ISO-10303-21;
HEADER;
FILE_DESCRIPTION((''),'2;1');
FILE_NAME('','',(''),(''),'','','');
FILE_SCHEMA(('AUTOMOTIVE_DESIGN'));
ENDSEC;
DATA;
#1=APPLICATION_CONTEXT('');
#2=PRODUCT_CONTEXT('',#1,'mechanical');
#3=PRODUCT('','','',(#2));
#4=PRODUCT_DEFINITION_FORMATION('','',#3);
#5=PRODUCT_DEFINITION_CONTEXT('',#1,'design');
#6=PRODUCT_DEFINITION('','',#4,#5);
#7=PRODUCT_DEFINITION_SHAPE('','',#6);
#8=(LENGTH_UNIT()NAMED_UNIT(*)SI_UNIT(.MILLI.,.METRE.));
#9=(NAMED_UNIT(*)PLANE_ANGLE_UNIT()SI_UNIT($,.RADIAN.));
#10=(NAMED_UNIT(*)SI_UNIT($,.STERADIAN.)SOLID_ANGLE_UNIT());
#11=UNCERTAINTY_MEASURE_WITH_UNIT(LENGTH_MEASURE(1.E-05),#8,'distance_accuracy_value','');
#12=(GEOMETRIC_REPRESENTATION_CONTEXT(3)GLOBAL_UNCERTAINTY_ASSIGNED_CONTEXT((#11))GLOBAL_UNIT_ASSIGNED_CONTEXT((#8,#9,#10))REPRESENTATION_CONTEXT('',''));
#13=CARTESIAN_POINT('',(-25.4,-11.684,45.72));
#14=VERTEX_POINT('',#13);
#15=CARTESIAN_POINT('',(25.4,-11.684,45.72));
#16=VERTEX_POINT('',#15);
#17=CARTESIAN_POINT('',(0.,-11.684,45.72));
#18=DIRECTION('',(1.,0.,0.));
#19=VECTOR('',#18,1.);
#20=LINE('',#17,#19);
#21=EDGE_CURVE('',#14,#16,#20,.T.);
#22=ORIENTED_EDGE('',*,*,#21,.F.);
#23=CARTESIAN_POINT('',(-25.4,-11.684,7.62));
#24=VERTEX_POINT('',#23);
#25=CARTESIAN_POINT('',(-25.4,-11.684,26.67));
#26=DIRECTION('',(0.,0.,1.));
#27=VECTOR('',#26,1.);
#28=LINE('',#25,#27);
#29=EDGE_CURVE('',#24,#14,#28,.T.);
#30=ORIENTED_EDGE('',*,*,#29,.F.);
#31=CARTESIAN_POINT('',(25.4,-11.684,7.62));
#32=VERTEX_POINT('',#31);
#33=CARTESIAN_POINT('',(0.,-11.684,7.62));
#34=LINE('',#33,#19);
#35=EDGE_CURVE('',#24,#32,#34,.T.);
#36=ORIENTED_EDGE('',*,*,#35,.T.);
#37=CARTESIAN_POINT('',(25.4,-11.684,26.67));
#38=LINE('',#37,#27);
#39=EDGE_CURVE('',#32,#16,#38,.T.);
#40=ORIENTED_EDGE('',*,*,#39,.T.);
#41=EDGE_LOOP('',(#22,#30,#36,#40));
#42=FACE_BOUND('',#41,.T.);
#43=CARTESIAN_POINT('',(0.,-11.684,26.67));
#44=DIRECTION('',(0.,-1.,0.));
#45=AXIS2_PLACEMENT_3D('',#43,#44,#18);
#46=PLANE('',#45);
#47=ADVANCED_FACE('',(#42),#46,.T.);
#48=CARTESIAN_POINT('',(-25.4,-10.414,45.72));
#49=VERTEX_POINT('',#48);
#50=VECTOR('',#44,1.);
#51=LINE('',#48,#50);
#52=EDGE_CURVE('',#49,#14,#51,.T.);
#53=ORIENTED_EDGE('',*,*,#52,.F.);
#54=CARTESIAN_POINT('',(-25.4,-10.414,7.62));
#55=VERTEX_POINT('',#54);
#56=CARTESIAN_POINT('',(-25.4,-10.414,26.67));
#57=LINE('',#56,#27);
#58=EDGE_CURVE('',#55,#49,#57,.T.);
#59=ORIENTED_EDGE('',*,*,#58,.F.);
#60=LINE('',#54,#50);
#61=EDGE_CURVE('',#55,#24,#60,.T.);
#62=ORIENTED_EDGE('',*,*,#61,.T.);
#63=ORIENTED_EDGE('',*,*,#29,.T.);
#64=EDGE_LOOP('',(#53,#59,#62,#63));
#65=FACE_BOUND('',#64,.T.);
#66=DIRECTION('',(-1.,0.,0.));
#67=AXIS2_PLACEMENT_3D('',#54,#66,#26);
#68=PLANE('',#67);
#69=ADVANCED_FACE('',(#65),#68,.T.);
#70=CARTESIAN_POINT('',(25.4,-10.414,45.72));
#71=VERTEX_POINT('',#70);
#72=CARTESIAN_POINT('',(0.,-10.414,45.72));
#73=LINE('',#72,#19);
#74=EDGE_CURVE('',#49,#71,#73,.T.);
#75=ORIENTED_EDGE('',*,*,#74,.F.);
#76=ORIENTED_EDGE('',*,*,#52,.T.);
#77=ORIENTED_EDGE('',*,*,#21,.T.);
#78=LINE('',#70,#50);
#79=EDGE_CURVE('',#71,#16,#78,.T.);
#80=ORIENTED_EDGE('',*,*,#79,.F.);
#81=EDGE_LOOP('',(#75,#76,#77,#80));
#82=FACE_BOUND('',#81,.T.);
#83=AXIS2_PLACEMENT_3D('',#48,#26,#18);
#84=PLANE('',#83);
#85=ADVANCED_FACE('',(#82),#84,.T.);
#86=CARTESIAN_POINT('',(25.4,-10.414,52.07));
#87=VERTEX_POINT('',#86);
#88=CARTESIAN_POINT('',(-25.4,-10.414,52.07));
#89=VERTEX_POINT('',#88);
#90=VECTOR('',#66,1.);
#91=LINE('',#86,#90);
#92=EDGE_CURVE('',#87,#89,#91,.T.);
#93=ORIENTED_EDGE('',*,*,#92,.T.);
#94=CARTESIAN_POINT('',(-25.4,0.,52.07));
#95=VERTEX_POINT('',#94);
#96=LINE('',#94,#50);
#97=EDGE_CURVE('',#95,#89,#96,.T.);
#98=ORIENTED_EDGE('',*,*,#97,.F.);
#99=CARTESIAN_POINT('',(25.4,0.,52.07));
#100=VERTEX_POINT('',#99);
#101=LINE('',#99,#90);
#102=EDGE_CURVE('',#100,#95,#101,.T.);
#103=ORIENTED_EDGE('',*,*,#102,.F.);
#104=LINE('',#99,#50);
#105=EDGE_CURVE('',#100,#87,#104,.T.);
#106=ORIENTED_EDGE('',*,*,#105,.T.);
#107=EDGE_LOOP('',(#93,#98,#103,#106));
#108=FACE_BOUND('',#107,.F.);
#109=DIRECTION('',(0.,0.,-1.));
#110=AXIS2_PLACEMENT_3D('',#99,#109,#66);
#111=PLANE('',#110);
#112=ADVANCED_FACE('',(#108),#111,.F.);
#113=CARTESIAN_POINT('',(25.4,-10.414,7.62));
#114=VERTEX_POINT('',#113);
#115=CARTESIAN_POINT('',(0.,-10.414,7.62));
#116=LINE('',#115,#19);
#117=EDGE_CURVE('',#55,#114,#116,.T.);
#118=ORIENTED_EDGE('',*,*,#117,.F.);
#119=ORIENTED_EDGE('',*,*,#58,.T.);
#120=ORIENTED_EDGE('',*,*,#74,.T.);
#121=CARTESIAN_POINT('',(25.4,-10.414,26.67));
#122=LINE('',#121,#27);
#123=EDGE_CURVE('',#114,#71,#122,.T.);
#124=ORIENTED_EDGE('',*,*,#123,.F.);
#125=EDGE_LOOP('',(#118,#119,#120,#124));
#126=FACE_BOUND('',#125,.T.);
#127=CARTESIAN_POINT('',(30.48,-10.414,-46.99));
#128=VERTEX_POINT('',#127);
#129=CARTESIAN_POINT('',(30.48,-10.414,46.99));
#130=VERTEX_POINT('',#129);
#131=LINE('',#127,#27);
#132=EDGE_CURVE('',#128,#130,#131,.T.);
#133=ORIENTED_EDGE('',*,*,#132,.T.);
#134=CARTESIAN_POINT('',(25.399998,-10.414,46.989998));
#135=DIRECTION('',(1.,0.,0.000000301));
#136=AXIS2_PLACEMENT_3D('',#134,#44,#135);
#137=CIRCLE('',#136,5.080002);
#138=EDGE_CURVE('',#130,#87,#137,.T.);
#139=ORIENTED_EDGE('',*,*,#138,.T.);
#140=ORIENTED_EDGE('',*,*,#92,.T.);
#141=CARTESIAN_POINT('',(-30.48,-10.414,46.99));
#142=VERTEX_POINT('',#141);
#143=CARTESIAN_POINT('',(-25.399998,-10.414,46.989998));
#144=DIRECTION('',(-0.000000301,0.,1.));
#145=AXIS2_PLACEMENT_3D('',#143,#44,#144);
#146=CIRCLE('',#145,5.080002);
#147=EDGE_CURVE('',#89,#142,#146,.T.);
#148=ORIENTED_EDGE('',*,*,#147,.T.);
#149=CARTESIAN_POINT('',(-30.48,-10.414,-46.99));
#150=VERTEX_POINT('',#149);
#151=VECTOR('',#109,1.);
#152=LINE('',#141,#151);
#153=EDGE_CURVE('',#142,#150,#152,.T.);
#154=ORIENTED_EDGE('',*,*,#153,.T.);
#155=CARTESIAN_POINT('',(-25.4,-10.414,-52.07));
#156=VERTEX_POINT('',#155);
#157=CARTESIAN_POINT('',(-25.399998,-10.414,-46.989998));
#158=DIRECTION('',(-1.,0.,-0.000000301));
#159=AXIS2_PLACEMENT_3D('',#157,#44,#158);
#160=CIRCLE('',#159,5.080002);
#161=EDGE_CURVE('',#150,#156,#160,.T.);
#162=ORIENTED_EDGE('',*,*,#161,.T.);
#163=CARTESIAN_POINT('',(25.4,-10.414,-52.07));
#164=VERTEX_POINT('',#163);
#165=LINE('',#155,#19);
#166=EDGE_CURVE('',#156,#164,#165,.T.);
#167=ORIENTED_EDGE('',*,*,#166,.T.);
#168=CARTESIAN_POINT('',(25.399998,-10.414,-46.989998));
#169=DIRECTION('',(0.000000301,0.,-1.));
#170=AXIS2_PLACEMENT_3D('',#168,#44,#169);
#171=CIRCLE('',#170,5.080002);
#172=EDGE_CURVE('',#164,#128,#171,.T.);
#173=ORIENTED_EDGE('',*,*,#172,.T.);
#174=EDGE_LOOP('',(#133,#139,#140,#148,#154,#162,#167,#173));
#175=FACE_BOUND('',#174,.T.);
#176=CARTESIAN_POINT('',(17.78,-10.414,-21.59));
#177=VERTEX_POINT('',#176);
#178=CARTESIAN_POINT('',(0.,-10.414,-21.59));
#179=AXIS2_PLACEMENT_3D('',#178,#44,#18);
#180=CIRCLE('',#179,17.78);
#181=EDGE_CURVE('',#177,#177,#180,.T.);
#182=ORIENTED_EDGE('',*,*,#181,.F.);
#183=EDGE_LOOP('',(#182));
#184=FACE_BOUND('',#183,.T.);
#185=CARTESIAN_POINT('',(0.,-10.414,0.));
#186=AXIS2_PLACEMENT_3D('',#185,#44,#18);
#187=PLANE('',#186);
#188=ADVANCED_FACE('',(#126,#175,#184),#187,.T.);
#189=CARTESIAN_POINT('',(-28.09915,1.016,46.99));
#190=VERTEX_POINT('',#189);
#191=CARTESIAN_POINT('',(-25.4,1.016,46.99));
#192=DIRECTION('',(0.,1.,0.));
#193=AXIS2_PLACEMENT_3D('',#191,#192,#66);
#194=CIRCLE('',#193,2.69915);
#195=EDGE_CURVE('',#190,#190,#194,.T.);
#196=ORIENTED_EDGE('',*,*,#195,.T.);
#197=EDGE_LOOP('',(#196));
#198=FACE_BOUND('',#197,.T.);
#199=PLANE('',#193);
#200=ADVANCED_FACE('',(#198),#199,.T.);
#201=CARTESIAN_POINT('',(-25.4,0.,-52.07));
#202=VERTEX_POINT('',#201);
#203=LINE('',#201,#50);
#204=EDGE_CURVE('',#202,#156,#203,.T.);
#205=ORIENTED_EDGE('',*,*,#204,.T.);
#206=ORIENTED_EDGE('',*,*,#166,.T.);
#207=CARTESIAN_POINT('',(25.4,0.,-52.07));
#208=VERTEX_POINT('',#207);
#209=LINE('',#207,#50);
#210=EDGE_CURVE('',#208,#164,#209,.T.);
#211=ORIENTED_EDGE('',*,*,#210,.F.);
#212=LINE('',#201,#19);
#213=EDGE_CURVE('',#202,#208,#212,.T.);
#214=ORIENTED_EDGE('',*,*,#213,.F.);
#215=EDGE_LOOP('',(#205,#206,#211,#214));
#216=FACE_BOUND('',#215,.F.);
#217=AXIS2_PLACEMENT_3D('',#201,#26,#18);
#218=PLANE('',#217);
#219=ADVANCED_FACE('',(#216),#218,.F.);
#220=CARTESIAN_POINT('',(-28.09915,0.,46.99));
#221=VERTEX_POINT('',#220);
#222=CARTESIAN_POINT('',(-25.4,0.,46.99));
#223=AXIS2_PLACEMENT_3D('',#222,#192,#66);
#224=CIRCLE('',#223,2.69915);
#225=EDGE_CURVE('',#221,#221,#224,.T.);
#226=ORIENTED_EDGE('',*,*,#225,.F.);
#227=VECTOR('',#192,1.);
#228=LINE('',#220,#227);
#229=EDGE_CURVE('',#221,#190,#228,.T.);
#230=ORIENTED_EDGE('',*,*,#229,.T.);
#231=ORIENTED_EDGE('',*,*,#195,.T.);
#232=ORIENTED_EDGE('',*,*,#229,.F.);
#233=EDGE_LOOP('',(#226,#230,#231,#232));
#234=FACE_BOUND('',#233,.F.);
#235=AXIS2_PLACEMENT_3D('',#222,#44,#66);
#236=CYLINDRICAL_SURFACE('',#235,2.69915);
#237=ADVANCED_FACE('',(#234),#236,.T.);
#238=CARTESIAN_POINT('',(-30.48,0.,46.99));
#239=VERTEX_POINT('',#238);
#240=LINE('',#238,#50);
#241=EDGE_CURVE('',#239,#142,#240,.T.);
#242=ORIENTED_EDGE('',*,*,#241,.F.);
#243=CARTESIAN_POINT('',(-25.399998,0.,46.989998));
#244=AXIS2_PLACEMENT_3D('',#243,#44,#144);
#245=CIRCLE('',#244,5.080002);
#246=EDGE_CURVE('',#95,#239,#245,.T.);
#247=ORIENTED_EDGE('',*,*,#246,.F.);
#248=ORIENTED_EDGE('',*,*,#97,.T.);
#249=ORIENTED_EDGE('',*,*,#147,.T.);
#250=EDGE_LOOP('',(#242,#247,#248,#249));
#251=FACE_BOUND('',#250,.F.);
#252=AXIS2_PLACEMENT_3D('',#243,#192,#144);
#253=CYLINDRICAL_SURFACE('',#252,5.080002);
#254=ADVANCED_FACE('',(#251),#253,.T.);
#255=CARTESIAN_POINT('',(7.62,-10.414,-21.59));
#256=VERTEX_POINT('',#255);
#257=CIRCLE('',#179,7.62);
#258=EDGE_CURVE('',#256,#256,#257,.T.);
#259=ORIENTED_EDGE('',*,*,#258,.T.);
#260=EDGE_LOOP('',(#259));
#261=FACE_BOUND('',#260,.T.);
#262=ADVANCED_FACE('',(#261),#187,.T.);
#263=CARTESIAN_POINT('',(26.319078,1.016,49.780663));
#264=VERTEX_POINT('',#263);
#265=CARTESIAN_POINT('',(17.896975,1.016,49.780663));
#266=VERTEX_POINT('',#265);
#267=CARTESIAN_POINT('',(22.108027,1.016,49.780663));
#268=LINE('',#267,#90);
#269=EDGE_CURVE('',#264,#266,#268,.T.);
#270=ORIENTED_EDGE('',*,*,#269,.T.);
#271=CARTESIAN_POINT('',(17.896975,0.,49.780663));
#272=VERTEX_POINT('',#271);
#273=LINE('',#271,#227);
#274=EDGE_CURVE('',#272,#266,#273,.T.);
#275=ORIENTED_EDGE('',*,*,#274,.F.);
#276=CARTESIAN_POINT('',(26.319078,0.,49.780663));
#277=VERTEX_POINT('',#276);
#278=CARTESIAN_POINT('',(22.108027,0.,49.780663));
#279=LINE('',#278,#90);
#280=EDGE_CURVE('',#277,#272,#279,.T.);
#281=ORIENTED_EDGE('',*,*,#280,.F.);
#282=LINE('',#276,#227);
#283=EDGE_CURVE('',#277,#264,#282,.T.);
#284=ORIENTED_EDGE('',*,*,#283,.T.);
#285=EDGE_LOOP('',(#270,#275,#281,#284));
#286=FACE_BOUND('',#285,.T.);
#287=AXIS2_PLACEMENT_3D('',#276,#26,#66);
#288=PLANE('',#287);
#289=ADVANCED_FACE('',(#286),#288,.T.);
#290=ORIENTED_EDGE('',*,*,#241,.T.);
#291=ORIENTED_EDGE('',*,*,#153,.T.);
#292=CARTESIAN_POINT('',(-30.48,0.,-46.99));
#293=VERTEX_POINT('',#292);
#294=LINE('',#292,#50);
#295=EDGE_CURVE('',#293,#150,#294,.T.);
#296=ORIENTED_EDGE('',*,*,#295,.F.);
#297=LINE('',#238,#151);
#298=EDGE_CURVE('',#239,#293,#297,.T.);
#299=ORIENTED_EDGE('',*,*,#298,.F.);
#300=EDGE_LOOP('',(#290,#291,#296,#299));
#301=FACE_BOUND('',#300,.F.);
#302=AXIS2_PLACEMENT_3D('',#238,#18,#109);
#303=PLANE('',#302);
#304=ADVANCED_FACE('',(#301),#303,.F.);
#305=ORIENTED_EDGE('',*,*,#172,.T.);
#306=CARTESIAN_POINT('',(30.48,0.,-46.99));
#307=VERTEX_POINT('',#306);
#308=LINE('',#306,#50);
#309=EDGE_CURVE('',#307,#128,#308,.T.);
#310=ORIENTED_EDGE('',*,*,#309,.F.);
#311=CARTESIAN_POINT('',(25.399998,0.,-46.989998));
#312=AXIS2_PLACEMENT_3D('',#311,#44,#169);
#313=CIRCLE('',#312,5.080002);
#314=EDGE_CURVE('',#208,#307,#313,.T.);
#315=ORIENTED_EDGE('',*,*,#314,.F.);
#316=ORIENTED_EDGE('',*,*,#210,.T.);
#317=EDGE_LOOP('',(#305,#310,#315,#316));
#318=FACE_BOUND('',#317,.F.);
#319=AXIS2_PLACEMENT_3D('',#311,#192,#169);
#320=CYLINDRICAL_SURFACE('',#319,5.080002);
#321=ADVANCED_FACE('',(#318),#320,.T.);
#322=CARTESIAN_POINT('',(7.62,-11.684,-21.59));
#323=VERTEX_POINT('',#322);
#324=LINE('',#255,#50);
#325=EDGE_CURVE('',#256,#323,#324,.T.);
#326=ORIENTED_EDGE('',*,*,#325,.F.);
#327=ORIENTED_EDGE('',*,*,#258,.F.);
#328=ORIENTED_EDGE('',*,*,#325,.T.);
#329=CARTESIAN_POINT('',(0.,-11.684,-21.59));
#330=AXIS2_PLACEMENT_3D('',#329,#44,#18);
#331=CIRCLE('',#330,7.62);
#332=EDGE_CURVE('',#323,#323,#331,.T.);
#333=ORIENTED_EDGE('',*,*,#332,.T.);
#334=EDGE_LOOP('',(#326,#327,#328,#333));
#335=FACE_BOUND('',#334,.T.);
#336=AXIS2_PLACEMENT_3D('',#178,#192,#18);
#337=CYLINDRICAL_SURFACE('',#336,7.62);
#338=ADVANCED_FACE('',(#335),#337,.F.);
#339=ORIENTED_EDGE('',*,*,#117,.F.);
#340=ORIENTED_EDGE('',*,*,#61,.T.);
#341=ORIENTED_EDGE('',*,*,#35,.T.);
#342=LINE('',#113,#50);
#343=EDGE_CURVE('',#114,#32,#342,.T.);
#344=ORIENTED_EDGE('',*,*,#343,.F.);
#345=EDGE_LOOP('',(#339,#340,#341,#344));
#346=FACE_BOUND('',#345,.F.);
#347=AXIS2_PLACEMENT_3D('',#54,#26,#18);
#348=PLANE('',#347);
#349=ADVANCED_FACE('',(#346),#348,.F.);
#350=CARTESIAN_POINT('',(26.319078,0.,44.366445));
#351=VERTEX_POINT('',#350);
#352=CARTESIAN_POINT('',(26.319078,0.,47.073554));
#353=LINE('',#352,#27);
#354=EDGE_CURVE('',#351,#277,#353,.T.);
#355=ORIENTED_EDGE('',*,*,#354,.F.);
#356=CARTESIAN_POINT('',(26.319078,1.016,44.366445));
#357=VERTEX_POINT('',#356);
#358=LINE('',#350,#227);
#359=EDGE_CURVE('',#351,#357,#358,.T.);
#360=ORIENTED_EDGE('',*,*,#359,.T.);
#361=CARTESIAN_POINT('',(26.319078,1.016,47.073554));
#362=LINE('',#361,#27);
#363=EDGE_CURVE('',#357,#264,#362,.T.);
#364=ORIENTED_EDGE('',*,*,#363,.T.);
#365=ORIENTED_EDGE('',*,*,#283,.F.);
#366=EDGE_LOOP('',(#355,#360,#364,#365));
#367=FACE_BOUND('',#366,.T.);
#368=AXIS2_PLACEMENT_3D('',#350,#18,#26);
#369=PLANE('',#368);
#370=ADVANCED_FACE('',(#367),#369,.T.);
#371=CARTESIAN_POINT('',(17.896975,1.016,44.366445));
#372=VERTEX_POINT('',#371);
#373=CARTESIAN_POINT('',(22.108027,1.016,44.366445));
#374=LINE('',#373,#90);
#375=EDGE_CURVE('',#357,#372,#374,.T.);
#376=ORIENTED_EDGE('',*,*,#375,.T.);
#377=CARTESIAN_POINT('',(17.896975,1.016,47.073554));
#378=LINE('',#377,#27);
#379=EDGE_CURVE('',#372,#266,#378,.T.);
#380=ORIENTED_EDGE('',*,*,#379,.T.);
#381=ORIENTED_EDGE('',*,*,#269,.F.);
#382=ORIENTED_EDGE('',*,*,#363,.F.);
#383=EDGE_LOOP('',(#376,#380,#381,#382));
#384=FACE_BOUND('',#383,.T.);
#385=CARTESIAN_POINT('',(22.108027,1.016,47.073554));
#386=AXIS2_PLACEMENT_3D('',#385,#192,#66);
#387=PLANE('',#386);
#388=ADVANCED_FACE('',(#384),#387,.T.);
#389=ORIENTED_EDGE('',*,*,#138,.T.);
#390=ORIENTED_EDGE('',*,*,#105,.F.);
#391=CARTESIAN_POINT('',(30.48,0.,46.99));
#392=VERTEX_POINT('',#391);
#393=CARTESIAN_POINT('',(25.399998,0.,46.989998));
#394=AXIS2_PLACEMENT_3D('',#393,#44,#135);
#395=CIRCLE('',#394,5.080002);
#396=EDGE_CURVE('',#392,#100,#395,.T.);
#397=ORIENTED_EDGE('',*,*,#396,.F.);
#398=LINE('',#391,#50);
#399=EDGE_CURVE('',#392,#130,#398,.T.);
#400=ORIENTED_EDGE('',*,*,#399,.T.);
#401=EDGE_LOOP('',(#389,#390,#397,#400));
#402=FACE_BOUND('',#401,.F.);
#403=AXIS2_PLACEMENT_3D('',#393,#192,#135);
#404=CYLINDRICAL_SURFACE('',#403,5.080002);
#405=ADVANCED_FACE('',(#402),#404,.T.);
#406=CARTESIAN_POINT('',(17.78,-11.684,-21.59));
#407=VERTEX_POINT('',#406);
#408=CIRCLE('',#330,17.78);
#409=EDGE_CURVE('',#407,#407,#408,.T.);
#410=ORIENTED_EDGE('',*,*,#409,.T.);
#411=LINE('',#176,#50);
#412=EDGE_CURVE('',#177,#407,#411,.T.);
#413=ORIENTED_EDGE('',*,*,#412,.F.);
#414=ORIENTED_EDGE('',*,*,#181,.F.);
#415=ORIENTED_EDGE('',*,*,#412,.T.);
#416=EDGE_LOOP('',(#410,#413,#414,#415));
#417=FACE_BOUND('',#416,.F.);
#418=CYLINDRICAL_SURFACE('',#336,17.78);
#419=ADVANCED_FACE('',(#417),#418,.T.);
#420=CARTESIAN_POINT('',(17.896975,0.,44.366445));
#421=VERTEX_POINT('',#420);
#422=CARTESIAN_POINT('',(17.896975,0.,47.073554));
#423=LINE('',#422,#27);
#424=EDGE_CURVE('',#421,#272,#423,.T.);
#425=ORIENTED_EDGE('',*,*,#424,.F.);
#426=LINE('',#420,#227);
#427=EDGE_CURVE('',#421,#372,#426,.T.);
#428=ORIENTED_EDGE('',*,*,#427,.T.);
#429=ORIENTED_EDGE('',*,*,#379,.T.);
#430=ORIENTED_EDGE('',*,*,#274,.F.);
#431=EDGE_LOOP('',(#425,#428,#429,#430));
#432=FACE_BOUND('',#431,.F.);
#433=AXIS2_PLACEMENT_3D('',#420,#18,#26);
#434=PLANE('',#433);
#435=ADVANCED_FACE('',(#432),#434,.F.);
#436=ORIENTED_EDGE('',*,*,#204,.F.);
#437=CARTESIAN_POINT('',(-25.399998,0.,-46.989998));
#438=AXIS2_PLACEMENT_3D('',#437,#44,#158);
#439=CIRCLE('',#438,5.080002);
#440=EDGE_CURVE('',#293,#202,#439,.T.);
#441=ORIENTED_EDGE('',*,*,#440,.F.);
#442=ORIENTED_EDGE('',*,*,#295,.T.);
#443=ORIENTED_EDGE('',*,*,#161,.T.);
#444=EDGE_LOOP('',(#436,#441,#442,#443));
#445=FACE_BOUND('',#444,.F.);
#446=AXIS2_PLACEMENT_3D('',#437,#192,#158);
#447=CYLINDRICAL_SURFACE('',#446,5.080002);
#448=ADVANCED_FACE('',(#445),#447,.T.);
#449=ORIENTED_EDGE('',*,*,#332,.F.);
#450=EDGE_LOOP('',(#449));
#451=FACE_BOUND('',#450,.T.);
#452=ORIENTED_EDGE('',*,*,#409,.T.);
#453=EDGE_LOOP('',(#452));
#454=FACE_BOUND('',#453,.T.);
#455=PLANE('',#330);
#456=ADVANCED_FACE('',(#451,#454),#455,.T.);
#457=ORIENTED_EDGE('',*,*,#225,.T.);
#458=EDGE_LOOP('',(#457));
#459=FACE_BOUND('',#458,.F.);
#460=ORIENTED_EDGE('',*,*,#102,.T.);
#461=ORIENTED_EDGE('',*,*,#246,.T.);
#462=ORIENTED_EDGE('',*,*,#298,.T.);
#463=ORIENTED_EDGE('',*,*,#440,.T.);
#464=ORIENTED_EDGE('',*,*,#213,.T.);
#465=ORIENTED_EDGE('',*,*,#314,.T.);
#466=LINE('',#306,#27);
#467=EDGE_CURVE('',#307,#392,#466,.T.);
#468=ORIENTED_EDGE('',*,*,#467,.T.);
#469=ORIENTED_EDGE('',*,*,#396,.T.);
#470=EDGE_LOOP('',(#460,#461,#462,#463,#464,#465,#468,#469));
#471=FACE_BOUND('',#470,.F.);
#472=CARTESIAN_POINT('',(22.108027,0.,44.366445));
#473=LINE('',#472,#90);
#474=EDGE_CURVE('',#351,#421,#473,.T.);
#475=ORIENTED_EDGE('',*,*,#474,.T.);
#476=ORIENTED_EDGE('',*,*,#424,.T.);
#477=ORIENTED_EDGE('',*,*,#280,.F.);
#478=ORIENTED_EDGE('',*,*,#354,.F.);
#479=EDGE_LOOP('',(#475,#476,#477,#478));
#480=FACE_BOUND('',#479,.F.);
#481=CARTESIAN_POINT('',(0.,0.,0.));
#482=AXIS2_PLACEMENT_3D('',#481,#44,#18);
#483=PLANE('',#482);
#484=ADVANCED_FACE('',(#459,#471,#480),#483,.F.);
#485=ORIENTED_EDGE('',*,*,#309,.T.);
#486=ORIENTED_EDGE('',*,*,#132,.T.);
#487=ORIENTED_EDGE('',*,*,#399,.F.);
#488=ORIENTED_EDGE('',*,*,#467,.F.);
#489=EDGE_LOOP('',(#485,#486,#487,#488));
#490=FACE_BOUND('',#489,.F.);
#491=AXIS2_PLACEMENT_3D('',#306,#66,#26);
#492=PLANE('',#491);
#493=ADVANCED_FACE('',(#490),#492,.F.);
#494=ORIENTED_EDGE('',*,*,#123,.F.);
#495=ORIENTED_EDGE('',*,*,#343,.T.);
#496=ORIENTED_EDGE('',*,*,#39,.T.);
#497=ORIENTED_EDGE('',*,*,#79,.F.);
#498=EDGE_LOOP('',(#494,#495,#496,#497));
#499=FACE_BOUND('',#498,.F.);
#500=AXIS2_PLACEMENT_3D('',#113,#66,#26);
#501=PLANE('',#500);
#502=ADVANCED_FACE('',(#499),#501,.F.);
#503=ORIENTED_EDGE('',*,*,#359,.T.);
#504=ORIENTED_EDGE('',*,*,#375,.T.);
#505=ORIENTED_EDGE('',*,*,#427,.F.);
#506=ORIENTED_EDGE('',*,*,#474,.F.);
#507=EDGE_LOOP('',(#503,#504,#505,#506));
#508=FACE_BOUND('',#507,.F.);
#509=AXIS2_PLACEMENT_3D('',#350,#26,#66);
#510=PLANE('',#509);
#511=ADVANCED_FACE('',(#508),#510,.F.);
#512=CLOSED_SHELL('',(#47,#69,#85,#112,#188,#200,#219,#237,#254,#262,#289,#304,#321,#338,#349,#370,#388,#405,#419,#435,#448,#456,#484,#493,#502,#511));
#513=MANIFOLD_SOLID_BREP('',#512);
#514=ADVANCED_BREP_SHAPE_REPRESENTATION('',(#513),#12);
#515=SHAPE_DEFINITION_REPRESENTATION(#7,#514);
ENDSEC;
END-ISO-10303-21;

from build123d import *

# Parameters (mm, degrees)
F1_DEPTH = 10.414
F2_W     = 50.8
F2_H     = 38.1
F2_R     = 17.78
F2_R_2   = 7.62
F3_DEPTH = 1.27
F4_R     = 2.69915
F4_W     = 8.422103
F4_H     = 5.414218
F5_DEPTH = 1.016


with BuildPart() as f1:
    # F0 (on Front) → F1 (new body)
    with BuildSketch(Plane.XZ):
        with BuildLine():
            ThreePointArc((30.48, 46.99), (28.992102, 50.582102), (25.4, 52.07))
            Line((25.4, 52.07), (-25.4, 52.07))
            ThreePointArc((-25.4, 52.07), (-28.992102, 50.582102), (-30.48, 46.99))
            Line((-30.48, 46.99), (-30.48, -46.99))
            ThreePointArc((-30.48, -46.99), (-28.992102, -50.582102), (-25.4, -52.07))
            Line((-25.4, -52.07), (25.4, -52.07))
            ThreePointArc((25.4, -52.07), (28.992102, -50.582102), (30.48, -46.99))
            Line((30.48, -46.99), (30.48, 46.99))
        make_face()
    extrude(amount=F1_DEPTH)

    # F2 (on face) → F3 (join)
    with BuildSketch(Plane.XZ.offset(10.414)):
        with Locations((0, 26.67)):
            Rectangle(F2_W, F2_H)
        with Locations((0, -21.59)):
            Circle(F2_R)
        with Locations((0, -21.59)):
            Circle(F2_R_2, mode=Mode.SUBTRACT)
    extrude(amount=F3_DEPTH)

    # F4 (on face) → F5 (join)
    with BuildSketch(Plane(origin=(0, 0, 0), x_dir=(-1, 0, 0), z_dir=(0, 1, 0))):
        with Locations((25.4, 46.99)):
            Circle(F4_R)
        with Locations((-22.108027, 47.073554)):
            Rectangle(F4_W, F4_H)
    extrude(amount=F5_DEPTH)


solid = f1.part
